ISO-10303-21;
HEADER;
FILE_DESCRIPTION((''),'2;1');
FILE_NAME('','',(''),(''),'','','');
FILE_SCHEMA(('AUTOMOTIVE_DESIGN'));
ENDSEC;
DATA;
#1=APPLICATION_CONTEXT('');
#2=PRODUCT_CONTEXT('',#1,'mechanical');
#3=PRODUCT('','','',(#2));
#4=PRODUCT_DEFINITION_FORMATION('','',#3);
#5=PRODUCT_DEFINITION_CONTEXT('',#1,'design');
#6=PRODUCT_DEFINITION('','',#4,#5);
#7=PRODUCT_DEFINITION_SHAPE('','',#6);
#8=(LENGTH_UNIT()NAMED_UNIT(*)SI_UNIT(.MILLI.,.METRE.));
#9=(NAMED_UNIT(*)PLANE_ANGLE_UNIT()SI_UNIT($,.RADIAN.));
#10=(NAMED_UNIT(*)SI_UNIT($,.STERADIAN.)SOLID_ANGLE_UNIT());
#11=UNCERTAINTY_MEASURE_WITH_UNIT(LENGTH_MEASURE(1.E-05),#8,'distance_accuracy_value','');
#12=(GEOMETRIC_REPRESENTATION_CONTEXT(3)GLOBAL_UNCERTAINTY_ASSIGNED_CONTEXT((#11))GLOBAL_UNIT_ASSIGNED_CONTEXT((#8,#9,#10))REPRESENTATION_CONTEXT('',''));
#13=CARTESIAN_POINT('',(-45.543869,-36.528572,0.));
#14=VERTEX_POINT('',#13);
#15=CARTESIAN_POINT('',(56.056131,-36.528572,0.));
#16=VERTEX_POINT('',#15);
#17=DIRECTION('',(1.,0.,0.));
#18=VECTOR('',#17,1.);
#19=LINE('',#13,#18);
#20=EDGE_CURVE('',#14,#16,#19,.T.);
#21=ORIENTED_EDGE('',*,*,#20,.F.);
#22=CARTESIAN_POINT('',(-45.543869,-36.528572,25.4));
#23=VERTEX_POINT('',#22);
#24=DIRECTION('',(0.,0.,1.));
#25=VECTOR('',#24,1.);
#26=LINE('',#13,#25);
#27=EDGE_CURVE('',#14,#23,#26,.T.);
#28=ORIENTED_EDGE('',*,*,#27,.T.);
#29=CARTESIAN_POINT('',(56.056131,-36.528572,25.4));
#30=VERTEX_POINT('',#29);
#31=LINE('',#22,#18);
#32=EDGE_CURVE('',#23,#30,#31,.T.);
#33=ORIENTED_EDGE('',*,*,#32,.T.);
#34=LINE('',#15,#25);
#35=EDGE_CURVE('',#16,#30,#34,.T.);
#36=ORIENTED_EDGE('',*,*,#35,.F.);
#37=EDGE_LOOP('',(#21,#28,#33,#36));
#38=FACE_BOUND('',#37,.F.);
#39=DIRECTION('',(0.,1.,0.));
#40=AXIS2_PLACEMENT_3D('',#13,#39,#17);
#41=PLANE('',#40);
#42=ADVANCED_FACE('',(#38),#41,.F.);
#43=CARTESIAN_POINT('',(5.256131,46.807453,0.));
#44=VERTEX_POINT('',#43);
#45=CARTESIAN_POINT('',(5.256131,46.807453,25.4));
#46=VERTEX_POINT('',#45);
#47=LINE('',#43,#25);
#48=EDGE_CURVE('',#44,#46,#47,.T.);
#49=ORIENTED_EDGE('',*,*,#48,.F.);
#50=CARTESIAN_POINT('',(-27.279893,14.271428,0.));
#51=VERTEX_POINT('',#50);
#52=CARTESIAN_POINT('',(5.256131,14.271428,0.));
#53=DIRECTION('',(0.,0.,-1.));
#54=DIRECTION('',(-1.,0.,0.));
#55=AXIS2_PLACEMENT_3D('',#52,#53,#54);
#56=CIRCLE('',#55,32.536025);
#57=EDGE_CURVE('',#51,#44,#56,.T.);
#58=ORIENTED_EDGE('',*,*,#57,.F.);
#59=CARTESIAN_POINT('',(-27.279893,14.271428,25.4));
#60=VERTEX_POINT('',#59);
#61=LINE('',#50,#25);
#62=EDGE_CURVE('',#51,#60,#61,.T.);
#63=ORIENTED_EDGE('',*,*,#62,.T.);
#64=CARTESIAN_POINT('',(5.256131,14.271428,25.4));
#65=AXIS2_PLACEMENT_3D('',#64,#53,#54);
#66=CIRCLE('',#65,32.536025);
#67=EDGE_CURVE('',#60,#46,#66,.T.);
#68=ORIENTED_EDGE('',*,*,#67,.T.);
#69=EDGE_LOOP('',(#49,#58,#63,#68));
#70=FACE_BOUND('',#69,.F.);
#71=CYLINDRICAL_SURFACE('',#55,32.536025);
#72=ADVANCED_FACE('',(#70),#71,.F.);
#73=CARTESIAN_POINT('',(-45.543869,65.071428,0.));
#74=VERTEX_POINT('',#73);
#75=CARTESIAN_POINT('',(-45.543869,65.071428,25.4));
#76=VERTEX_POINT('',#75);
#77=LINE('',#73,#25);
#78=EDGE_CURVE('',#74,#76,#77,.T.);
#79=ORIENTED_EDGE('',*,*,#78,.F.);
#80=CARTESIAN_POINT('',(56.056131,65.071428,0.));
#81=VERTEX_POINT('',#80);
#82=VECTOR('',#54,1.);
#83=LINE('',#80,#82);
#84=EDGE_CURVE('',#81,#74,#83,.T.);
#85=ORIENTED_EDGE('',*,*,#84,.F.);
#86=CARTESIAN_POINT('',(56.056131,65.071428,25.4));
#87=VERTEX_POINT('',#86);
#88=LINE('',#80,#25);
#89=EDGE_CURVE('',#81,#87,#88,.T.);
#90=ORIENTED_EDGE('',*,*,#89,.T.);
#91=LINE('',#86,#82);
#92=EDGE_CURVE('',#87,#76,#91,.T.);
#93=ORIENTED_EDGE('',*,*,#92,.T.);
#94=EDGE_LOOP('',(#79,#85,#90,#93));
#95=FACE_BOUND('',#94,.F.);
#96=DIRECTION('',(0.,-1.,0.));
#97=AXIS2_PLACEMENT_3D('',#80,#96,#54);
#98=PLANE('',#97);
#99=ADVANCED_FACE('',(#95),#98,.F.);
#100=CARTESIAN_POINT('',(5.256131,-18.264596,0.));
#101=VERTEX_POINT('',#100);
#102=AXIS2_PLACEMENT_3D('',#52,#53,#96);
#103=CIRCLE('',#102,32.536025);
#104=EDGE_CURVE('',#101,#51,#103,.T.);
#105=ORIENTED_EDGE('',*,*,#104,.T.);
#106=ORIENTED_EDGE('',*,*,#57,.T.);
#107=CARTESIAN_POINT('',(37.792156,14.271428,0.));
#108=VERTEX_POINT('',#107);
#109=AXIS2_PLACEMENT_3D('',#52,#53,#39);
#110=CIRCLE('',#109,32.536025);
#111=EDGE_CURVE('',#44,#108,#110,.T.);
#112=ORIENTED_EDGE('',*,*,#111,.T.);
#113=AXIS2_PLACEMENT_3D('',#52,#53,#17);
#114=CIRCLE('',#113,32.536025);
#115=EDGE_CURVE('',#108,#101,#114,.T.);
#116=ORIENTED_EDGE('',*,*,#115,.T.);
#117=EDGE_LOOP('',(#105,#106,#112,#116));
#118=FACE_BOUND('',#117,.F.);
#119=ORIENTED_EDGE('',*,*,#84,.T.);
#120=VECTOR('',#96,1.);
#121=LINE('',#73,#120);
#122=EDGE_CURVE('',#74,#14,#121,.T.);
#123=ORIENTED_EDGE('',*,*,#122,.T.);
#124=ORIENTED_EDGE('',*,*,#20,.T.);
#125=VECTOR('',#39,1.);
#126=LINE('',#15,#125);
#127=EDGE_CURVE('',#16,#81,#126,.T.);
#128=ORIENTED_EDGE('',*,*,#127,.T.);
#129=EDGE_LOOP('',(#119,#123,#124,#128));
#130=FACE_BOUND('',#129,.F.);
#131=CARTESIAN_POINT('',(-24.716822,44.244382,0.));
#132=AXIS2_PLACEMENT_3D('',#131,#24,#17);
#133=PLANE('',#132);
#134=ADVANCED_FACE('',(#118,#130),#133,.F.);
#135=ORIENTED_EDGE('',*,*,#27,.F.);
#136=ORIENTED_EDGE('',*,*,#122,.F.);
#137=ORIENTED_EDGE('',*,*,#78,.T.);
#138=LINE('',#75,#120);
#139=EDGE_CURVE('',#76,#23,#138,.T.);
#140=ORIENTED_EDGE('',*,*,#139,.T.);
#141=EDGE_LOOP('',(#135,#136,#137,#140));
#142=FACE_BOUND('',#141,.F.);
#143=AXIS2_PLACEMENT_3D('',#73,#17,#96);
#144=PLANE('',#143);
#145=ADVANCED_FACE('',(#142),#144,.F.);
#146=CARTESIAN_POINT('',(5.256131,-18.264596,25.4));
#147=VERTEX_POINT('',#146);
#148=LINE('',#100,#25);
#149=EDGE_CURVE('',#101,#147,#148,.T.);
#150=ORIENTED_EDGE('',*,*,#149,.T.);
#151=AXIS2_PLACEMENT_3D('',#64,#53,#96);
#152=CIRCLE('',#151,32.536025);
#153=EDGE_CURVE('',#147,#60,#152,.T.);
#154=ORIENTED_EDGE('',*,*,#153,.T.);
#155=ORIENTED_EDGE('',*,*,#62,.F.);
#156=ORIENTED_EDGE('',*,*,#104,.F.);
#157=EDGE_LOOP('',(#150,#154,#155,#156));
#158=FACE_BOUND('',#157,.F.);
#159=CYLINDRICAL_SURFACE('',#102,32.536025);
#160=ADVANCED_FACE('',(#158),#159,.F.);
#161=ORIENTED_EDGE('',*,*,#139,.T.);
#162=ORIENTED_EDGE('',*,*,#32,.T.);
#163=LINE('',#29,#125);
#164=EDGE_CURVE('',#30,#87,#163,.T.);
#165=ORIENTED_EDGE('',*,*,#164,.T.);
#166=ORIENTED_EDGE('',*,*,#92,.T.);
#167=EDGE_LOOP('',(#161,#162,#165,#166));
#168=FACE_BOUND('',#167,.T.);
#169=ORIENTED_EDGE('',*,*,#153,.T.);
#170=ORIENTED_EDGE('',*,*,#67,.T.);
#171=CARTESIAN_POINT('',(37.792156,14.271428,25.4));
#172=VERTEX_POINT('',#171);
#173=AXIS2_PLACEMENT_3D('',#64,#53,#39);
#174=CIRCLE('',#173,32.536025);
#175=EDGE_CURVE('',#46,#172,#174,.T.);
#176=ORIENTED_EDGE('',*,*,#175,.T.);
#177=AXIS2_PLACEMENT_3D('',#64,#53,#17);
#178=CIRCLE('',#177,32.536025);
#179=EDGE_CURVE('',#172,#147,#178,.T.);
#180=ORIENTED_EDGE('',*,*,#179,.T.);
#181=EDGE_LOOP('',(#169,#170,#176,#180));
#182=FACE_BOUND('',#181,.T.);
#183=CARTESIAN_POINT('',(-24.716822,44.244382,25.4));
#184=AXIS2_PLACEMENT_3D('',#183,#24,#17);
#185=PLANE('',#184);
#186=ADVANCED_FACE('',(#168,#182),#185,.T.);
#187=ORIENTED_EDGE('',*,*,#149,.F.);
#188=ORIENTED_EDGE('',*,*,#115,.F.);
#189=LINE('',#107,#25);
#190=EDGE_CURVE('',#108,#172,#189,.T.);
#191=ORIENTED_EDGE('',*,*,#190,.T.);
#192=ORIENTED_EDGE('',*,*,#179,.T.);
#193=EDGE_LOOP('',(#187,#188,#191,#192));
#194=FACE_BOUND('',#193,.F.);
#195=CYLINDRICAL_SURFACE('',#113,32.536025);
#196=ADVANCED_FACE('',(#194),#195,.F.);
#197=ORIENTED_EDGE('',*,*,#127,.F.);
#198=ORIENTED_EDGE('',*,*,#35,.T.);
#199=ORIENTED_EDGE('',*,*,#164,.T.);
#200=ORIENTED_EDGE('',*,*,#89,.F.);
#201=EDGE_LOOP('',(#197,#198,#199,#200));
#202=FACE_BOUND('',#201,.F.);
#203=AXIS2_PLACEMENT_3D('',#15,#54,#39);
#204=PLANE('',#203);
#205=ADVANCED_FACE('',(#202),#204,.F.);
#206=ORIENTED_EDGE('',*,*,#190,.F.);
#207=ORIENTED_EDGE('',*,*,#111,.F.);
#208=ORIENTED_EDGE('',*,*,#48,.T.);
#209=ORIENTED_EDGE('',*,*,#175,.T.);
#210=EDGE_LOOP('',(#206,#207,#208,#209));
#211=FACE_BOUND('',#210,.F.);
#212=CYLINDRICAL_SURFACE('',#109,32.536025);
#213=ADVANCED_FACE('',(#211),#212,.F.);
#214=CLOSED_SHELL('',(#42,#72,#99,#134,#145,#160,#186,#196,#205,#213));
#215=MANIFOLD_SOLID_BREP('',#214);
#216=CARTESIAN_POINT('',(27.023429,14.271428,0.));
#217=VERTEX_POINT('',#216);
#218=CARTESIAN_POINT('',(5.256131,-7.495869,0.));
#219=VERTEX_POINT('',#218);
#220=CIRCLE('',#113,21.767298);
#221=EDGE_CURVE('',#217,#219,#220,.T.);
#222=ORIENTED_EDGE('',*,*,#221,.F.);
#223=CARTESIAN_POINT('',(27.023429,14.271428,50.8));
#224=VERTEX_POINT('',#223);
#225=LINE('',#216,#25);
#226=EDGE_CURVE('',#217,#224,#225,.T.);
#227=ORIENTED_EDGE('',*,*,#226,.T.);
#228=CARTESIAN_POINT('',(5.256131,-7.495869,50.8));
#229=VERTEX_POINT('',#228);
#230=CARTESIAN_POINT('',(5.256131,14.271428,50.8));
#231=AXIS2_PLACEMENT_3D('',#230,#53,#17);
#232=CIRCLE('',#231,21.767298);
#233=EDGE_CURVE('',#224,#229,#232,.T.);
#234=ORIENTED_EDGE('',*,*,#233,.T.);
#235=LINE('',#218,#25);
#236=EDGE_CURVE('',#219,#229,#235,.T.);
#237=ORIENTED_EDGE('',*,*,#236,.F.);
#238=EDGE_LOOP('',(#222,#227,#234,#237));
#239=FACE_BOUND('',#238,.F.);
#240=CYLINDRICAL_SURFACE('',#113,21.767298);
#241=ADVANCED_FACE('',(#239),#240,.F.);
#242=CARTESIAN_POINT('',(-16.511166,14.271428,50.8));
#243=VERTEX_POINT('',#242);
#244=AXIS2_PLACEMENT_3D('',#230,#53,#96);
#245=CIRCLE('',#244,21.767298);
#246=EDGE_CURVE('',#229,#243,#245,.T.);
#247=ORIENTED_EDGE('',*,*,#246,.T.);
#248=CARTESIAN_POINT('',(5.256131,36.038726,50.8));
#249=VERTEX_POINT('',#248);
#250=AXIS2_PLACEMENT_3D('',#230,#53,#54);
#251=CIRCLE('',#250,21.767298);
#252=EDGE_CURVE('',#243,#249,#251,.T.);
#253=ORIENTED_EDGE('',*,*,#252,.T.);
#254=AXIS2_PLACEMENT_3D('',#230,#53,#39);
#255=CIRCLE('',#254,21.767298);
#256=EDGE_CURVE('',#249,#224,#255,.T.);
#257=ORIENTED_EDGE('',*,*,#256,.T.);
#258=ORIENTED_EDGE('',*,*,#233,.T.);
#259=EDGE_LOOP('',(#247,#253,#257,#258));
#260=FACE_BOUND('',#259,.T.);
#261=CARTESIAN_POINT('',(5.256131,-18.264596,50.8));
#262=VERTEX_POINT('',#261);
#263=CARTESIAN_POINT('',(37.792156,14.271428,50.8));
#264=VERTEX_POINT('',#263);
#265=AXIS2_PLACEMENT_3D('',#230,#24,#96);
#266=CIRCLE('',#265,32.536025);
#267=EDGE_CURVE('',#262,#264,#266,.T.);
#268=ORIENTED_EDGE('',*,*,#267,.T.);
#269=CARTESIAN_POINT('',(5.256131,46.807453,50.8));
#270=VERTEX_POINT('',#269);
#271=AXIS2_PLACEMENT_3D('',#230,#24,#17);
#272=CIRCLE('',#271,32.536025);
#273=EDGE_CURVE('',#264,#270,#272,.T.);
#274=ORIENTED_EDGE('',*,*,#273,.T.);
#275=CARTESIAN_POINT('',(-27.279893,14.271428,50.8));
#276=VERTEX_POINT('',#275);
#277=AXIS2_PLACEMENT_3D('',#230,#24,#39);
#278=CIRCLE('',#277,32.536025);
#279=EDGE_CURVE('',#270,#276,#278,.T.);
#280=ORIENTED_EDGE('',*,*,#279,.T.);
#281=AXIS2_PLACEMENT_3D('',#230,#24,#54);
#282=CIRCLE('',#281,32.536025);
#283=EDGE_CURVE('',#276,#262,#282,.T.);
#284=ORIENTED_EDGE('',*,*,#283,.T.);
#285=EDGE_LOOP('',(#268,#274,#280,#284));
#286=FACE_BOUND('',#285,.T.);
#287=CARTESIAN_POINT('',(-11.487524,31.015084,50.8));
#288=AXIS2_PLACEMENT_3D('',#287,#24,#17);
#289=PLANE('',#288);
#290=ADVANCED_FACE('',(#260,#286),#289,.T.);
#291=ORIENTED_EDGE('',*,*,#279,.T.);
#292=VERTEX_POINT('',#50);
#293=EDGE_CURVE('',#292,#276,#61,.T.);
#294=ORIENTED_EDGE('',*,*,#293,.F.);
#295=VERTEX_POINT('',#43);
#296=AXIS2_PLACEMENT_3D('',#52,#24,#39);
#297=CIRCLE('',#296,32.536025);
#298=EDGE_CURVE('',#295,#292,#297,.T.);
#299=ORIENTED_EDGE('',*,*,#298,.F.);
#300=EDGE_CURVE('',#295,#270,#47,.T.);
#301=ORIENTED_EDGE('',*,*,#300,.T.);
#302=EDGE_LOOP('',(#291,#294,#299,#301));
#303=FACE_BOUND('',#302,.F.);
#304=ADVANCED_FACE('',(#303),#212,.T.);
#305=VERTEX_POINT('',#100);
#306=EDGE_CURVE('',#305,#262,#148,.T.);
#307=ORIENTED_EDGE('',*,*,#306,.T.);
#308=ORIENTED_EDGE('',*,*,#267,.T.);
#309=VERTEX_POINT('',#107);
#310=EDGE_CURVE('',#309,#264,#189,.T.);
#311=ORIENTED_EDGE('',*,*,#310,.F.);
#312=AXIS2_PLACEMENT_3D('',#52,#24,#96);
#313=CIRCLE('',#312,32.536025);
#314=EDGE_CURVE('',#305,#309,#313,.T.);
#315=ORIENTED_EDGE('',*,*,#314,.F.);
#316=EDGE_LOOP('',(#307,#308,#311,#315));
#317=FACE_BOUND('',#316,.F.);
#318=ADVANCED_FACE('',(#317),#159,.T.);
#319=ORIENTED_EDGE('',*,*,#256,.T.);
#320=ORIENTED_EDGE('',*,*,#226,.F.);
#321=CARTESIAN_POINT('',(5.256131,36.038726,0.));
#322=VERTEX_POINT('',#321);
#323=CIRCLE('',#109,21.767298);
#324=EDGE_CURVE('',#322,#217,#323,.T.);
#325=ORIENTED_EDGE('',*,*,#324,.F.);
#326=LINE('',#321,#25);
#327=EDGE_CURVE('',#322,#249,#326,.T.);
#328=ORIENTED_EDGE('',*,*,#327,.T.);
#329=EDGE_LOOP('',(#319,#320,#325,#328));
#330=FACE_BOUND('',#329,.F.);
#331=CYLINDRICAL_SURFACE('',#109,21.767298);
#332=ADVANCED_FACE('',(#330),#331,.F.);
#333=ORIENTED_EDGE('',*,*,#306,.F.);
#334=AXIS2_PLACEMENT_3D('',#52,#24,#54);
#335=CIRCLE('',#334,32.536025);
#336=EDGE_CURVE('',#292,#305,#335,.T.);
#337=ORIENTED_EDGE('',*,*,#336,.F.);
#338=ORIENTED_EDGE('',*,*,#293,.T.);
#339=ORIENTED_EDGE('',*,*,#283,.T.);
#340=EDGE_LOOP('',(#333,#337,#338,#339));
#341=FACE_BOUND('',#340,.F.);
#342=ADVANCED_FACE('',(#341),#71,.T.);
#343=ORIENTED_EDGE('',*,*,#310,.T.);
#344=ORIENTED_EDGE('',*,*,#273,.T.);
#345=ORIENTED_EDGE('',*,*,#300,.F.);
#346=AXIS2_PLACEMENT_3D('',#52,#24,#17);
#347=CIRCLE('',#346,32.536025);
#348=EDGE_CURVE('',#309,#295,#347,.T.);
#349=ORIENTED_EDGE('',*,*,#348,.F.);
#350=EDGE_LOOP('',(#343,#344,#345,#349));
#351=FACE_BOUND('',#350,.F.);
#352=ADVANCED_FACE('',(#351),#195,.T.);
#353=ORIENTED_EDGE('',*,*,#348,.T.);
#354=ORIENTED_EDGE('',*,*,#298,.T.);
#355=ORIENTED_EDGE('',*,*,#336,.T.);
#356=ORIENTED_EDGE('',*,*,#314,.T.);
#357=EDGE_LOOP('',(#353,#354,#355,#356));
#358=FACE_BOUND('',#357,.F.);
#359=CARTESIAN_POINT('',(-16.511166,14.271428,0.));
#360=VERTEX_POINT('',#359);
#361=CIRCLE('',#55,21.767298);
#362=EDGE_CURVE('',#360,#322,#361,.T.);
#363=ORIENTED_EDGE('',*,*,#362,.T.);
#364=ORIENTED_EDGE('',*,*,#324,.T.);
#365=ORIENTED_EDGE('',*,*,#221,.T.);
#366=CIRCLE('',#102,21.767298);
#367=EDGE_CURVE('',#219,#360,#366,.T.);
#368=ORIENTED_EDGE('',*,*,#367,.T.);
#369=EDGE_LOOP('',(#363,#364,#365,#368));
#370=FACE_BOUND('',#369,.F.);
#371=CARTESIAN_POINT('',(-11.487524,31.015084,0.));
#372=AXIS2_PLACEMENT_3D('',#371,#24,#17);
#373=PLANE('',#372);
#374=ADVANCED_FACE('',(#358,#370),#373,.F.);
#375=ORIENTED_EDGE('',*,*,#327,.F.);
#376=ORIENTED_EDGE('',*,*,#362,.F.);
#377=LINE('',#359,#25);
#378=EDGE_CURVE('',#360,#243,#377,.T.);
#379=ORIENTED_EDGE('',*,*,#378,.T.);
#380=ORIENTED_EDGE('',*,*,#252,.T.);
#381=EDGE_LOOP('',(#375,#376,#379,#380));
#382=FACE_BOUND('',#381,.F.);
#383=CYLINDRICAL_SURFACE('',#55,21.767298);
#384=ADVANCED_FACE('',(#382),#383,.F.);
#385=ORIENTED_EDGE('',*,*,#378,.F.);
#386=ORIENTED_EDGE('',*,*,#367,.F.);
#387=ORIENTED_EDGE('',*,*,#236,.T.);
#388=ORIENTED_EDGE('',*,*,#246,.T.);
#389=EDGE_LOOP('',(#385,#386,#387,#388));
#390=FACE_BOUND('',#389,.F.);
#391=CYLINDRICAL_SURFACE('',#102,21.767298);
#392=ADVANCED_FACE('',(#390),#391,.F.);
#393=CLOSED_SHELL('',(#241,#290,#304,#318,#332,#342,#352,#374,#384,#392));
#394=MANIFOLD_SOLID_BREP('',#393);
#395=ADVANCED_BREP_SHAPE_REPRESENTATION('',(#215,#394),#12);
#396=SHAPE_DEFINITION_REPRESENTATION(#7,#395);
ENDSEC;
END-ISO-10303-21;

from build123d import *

# Parameters (mm, degrees)
F1_DEPTH = 25.4
F2_DEPTH = 50.8


with BuildPart() as f1:
    # F0 (on Top) → F1 (new body)
    with BuildSketch(Plane.XY):
        with BuildLine():
            Line((5.2561312914, 65.071428316), (-45.5438687086, 65.071428316))
            Line((-45.5438687086, 65.071428316), (-45.5438687086, 14.271428316))
            Line((-45.5438687086, 14.271428316), (-27.2798932146, 14.271428316))
            ThreePointArc((-27.2798932146, 14.271428316), (-17.7503122697, 37.2778718771), (5.2561312914, 46.807452822))
            Line((5.2561312914, 46.807452822), (5.2561312914, 65.071428316))
        make_face()
        with BuildLine():
            Line((-27.2798932146, 14.271428316), (-45.5438687086, 14.271428316))
            Line((-45.5438687086, 14.271428316), (-45.5438687086, -36.528571684))
            Line((-45.5438687086, -36.528571684), (5.2561312914, -36.528571684))
            Line((5.2561312914, -36.528571684), (5.2561312914, -18.26459619))
            ThreePointArc((5.2561312914, -18.26459619), (-17.7503122697, -8.735015245), (-27.2798932146, 14.271428316))
        make_face()
        with BuildLine():
            Line((56.0561312914, -36.528571684), (56.0561312914, 14.271428316))
            Line((56.0561312914, 14.271428316), (37.7921557974, 14.271428316))
            ThreePointArc((37.7921557974, 14.271428316), (28.2625748524, -8.735015245), (5.2561312914, -18.26459619))
            Line((5.2561312914, -18.26459619), (5.2561312914, -36.528571684))
            Line((5.2561312914, -36.528571684), (56.0561312914, -36.528571684))
        make_face()
        with BuildLine():
            Line((56.0561312914, 65.071428316), (5.2561312914, 65.071428316))
            Line((5.2561312914, 65.071428316), (5.2561312914, 46.807452822))
            ThreePointArc((5.2561312914, 46.807452822), (28.2625748524, 37.2778718771), (37.7921557974, 14.271428316))
            Line((37.7921557974, 14.271428316), (56.0561312914, 14.271428316))
            Line((56.0561312914, 14.271428316), (56.0561312914, 65.071428316))
        make_face()
    extrude(amount=F1_DEPTH)


with BuildPart() as f2:
    # F0 (on Top) → F2 (new body)
    with BuildSketch(Plane.XY):
        with BuildLine():
            Line((5.2561312914, 36.0387259762), (5.2561312914, 46.807452822))
            ThreePointArc((5.2561312914, 46.807452822), (-17.7503122697, 37.2778718771), (-27.2798932146, 14.271428316))
            Line((-27.2798932146, 14.271428316), (-16.5111663688, 14.271428316))
            ThreePointArc((-16.5111663688, 14.271428316), (-10.1356724922, 29.6632320996), (5.2561312914, 36.0387259762))
        make_face()
        with BuildLine():
            ThreePointArc((37.7921557974, 14.271428316), (28.2625748524, 37.2778718771), (5.2561312914, 46.807452822))
            Line((5.2561312914, 46.807452822), (5.2561312914, 36.0387259762))
            ThreePointArc((5.2561312914, 36.0387259762), (20.647935075, 29.6632320996), (27.0234289516, 14.271428316))
            Line((27.0234289516, 14.271428316), (37.7921557974, 14.271428316))
        make_face()
        with BuildLine():
            ThreePointArc((5.2561312914, -18.26459619), (28.2625748524, -8.735015245), (37.7921557974, 14.271428316))
            Line((37.7921557974, 14.271428316), (27.0234289516, 14.271428316))
            ThreePointArc((27.0234289516, 14.271428316), (20.647935075, -1.1203754676), (5.2561312914, -7.4958693441))
            Line((5.2561312914, -7.4958693441), (5.2561312914, -18.26459619))
        make_face()
        with BuildLine():
            Line((-16.5111663688, 14.271428316), (-27.2798932146, 14.271428316))
            ThreePointArc((-27.2798932146, 14.271428316), (-17.7503122697, -8.735015245), (5.2561312914, -18.26459619))
            Line((5.2561312914, -18.26459619), (5.2561312914, -7.4958693441))
            ThreePointArc((5.2561312914, -7.4958693441), (-10.1356724922, -1.1203754676), (-16.5111663688, 14.271428316))
        make_face()
    extrude(amount=F2_DEPTH)


solid = Compound([f1.part, f2.part])
